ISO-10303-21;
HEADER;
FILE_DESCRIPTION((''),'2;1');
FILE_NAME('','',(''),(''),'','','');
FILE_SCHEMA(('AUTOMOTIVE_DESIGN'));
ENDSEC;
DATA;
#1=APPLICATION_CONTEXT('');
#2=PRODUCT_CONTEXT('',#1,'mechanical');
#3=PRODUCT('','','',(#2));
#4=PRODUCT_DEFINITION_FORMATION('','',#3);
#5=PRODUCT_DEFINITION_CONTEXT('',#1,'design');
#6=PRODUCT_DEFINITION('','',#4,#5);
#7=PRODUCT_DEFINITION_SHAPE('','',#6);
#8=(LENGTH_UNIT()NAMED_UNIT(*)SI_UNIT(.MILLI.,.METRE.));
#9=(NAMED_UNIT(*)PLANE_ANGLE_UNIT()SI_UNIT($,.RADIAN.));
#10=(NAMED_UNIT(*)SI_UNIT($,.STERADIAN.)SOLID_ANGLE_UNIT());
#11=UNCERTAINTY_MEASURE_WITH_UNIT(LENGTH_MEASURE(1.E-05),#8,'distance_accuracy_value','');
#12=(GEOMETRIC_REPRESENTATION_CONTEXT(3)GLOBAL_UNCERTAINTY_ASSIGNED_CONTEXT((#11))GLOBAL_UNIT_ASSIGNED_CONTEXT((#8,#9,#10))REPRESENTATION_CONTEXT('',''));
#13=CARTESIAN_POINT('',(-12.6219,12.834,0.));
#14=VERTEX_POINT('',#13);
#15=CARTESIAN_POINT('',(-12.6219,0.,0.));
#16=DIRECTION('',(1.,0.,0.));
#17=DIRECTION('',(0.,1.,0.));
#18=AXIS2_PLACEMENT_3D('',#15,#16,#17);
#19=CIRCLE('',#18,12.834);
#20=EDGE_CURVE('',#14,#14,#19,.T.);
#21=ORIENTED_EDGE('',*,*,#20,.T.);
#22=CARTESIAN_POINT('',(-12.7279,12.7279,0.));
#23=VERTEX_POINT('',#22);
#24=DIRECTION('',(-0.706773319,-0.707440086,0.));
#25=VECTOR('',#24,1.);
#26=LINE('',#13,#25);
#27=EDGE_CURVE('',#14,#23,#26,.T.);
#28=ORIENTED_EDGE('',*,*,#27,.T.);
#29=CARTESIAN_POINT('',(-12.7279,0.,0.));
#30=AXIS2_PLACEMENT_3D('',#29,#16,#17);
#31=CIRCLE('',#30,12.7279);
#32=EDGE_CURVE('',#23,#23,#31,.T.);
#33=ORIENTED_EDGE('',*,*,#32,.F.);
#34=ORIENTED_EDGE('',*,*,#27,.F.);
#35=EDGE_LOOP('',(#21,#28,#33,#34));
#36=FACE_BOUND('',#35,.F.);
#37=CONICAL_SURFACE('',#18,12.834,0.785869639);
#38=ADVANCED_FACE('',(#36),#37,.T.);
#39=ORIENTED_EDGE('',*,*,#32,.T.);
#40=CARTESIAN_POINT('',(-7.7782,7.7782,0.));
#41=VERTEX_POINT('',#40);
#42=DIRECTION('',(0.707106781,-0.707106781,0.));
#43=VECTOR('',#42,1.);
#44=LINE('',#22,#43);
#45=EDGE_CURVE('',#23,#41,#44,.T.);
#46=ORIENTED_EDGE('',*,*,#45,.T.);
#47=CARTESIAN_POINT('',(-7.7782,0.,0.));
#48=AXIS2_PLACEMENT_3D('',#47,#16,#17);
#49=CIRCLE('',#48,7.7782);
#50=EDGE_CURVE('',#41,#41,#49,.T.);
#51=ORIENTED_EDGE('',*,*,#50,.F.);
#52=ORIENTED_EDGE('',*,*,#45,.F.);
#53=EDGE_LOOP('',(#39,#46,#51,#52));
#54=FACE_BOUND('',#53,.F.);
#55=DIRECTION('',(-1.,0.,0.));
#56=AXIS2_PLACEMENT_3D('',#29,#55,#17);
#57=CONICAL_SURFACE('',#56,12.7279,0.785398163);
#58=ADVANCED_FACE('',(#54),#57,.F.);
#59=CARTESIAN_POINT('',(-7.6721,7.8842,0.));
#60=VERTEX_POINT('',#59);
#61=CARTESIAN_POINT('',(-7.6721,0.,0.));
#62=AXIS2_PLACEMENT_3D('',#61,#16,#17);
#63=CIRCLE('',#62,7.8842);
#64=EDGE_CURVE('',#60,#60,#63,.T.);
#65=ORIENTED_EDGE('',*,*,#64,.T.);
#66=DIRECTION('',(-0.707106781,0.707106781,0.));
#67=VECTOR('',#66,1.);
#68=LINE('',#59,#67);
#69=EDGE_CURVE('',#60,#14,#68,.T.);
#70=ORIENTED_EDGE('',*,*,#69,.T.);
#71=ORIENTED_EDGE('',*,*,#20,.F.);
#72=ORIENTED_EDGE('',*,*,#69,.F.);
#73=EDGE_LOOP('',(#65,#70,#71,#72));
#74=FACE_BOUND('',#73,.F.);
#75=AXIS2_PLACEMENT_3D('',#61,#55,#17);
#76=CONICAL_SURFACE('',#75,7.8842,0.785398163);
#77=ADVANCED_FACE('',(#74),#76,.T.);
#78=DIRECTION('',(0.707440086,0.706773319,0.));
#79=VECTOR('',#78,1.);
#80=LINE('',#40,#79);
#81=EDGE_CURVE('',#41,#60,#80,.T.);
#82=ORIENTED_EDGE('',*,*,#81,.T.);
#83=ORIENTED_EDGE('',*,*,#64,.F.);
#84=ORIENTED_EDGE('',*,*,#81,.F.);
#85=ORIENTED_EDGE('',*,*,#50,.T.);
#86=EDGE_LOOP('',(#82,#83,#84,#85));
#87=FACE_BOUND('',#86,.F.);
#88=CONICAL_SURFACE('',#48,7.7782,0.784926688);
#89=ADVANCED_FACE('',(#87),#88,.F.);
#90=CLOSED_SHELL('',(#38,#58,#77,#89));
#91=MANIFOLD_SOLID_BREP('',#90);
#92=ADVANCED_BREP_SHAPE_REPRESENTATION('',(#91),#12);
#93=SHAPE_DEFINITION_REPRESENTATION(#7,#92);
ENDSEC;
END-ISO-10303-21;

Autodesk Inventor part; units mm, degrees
ref_plane "YZ Plane" through (0, 0, 0) normal (1, 0, 0) x (0, 1, 0)
ref_plane "XZ Plane" through (0, 0, 0) normal (0, 1, 0) x (-1, 0, 0)
ref_plane "XY Plane" through (0, 0, 0) normal (0, 0, 1) x (1, 0, 0)
sketch "Эскиз1" plane through (0, 0, 0) normal (0, 0, 1) x (1, 0, 0)
  line L0 (-7.0711, 7.0711) -> (0, 0)
  line L1 (0.1061, 0.1061) -> (-6.965, 7.1771)
  line L2 (-6.965, 7.1771) -> (-7.0711, 7.0711)
  line L3 (0, 0) -> (0.1061, 0.1061)
  line L4 (-7.7782, 7.7782) -> (-7.6721, 7.8842)
  line L5 (-7.6721, 7.8842) -> (-12.6219, 12.834)
  line L6 (-12.6219, 12.834) -> (-12.7279, 12.7279)
  line L7 (-12.7279, 12.7279) -> (-7.7782, 7.7782)
  line L8 (-15.2947, 0) -> (2.6729, 0) projected
  dimension "d0" = 7
  dimension "d1" = 1
  dimension "d2" = 0.15
revolve "Вращение1" add sketch "Эскиз1" angle 360 about axis through (-10, 0, 0) along (1, 0, 0) contours L7 L6 L5 L4
properties part number "Anode" material "Сталь, легированная"
